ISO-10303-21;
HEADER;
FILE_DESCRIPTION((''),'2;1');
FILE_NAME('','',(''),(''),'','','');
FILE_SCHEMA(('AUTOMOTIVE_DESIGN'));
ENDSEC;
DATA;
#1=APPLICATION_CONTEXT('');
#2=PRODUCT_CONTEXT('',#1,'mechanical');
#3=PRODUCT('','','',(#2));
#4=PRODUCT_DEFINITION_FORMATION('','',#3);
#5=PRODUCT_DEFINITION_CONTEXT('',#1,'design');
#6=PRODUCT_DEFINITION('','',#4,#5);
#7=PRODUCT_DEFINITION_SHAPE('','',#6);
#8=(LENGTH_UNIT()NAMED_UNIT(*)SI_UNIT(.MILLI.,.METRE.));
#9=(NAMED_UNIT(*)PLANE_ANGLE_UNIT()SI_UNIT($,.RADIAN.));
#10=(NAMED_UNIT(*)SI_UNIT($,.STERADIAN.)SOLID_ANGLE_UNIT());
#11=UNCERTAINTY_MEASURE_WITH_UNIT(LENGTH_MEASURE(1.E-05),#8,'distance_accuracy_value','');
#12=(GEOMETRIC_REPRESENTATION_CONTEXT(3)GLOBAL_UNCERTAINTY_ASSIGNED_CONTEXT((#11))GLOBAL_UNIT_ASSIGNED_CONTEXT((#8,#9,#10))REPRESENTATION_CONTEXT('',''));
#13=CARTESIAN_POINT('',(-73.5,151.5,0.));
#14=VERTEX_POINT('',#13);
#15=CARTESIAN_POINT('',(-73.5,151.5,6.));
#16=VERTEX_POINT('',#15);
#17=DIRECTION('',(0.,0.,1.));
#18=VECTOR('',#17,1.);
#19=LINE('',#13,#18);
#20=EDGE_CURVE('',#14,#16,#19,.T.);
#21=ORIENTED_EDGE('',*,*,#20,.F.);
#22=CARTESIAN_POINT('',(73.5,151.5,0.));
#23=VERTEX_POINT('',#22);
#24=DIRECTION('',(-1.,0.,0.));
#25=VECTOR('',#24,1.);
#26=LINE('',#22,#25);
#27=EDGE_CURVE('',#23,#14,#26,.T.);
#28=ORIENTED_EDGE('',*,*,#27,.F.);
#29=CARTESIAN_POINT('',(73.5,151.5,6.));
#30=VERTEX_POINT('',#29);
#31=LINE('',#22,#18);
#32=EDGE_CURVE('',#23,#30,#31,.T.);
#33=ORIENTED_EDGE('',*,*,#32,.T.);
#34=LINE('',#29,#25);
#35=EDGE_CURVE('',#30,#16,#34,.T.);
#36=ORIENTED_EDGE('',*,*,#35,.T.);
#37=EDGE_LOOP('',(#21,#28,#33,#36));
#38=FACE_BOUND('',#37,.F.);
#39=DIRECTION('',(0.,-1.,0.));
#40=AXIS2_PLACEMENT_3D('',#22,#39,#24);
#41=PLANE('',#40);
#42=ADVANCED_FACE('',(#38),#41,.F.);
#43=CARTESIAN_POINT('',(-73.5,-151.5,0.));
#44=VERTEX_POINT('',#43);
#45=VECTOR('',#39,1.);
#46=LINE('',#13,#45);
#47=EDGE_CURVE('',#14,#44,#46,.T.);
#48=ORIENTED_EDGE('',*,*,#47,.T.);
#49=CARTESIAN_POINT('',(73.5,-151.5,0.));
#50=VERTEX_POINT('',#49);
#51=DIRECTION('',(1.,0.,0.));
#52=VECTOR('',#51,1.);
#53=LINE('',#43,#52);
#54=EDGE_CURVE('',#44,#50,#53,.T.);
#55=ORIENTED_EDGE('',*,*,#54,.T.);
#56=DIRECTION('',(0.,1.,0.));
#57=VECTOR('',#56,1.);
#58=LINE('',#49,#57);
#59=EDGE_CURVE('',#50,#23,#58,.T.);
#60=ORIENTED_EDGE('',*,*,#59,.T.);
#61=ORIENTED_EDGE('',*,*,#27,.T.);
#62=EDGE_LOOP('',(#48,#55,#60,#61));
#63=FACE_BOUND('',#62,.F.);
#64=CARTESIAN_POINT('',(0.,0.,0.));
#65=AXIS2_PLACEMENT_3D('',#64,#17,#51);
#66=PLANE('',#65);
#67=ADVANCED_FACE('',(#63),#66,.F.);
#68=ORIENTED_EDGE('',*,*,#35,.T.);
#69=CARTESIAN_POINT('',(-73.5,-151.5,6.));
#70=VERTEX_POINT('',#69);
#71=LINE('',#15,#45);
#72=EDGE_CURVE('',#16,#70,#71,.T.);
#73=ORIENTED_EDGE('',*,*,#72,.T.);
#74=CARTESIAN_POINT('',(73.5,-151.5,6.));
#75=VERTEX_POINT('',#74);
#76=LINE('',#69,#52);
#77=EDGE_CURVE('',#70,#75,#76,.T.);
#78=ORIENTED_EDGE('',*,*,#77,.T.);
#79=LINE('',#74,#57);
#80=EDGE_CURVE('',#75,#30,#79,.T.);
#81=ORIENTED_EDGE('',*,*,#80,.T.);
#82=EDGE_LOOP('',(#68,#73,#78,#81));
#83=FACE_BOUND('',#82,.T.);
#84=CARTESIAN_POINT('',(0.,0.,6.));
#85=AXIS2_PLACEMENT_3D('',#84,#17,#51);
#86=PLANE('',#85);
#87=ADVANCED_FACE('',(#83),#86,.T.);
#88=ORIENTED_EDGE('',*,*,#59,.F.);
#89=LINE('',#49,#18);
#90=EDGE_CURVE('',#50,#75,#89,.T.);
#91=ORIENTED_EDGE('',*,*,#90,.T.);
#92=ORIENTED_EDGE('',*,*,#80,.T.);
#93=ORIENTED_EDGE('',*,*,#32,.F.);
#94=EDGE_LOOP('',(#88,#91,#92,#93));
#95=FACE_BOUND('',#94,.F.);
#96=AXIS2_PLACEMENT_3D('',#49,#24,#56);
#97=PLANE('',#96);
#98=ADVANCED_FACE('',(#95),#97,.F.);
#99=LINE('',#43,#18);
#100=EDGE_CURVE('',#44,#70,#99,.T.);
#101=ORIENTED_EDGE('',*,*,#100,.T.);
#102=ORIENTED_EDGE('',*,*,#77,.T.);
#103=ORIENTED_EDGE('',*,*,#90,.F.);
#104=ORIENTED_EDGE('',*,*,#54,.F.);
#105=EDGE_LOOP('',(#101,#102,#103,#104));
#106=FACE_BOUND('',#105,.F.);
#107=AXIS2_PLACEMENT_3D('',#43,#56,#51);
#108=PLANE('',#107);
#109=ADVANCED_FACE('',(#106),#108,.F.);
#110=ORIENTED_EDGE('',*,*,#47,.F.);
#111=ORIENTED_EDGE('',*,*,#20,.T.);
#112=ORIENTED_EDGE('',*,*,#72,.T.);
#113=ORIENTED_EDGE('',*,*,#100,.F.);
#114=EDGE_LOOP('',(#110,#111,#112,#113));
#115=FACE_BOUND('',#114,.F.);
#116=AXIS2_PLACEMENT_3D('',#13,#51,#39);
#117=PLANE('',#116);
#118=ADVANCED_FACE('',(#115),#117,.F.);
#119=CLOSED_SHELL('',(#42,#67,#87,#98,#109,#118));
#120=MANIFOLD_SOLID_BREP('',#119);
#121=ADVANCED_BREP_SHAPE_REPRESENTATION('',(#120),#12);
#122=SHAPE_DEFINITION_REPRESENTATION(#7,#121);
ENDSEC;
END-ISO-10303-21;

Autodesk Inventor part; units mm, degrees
ref_plane "YZ Plane" through (0, 0, 0) normal (1, 0, 0) x (0, 1, 0)
ref_plane "XZ Plane" through (0, 0, 0) normal (0, 1, 0) x (-1, 0, 0)
ref_plane "XY Plane" through (0, 0, 0) normal (0, 0, 1) x (1, 0, 0)
sketch "Эскиз5" plane through (0, 0, 0) normal (0, 0, 1) x (1, 0, 0)
  line L0 (-73.5, -151.5) -> (73.5, -151.5)
  line L1 (73.5, -151.5) -> (73.5, 151.5)
  line L2 (73.5, 151.5) -> (-73.5, 151.5)
  line L3 (-73.5, 151.5) -> (-73.5, -151.5)
  line L4 (-73.5, -151.5) -> (73.5, 151.5) construction
  line L5 (73.5, -151.5) -> (-73.5, 151.5) construction
  point P0 (0, 0)
  dimension "d64" = 147
  dimension "d65" = 303
extrude "Пластина2" add sketch "Эскиз5" along normal blind 6
equation "\"Радиус_гибки\" = Толщина"
equation "\"Ширина_просечки\" = Толщина"
equation "\"Глубина_просечки\" = 0.5 * Толщина"
equation "\"Размер_высечки\" = 4 * Толщина"
equation "\"Минимальный_остаток\" = 2 * Толщина"
equation "\"Радиус_перехода\" = Радиус_гибки"
equation "\"Радиус_Якоби\" = Радиус_гибки"
equation "\"Размер_зазора\" = Толщина"
equation "\"d2\" = Радиус_гибки"
equation "\"d66\" = Радиус_гибки"
equation "\"Толщина\" = 6"
properties material "Сталь"
